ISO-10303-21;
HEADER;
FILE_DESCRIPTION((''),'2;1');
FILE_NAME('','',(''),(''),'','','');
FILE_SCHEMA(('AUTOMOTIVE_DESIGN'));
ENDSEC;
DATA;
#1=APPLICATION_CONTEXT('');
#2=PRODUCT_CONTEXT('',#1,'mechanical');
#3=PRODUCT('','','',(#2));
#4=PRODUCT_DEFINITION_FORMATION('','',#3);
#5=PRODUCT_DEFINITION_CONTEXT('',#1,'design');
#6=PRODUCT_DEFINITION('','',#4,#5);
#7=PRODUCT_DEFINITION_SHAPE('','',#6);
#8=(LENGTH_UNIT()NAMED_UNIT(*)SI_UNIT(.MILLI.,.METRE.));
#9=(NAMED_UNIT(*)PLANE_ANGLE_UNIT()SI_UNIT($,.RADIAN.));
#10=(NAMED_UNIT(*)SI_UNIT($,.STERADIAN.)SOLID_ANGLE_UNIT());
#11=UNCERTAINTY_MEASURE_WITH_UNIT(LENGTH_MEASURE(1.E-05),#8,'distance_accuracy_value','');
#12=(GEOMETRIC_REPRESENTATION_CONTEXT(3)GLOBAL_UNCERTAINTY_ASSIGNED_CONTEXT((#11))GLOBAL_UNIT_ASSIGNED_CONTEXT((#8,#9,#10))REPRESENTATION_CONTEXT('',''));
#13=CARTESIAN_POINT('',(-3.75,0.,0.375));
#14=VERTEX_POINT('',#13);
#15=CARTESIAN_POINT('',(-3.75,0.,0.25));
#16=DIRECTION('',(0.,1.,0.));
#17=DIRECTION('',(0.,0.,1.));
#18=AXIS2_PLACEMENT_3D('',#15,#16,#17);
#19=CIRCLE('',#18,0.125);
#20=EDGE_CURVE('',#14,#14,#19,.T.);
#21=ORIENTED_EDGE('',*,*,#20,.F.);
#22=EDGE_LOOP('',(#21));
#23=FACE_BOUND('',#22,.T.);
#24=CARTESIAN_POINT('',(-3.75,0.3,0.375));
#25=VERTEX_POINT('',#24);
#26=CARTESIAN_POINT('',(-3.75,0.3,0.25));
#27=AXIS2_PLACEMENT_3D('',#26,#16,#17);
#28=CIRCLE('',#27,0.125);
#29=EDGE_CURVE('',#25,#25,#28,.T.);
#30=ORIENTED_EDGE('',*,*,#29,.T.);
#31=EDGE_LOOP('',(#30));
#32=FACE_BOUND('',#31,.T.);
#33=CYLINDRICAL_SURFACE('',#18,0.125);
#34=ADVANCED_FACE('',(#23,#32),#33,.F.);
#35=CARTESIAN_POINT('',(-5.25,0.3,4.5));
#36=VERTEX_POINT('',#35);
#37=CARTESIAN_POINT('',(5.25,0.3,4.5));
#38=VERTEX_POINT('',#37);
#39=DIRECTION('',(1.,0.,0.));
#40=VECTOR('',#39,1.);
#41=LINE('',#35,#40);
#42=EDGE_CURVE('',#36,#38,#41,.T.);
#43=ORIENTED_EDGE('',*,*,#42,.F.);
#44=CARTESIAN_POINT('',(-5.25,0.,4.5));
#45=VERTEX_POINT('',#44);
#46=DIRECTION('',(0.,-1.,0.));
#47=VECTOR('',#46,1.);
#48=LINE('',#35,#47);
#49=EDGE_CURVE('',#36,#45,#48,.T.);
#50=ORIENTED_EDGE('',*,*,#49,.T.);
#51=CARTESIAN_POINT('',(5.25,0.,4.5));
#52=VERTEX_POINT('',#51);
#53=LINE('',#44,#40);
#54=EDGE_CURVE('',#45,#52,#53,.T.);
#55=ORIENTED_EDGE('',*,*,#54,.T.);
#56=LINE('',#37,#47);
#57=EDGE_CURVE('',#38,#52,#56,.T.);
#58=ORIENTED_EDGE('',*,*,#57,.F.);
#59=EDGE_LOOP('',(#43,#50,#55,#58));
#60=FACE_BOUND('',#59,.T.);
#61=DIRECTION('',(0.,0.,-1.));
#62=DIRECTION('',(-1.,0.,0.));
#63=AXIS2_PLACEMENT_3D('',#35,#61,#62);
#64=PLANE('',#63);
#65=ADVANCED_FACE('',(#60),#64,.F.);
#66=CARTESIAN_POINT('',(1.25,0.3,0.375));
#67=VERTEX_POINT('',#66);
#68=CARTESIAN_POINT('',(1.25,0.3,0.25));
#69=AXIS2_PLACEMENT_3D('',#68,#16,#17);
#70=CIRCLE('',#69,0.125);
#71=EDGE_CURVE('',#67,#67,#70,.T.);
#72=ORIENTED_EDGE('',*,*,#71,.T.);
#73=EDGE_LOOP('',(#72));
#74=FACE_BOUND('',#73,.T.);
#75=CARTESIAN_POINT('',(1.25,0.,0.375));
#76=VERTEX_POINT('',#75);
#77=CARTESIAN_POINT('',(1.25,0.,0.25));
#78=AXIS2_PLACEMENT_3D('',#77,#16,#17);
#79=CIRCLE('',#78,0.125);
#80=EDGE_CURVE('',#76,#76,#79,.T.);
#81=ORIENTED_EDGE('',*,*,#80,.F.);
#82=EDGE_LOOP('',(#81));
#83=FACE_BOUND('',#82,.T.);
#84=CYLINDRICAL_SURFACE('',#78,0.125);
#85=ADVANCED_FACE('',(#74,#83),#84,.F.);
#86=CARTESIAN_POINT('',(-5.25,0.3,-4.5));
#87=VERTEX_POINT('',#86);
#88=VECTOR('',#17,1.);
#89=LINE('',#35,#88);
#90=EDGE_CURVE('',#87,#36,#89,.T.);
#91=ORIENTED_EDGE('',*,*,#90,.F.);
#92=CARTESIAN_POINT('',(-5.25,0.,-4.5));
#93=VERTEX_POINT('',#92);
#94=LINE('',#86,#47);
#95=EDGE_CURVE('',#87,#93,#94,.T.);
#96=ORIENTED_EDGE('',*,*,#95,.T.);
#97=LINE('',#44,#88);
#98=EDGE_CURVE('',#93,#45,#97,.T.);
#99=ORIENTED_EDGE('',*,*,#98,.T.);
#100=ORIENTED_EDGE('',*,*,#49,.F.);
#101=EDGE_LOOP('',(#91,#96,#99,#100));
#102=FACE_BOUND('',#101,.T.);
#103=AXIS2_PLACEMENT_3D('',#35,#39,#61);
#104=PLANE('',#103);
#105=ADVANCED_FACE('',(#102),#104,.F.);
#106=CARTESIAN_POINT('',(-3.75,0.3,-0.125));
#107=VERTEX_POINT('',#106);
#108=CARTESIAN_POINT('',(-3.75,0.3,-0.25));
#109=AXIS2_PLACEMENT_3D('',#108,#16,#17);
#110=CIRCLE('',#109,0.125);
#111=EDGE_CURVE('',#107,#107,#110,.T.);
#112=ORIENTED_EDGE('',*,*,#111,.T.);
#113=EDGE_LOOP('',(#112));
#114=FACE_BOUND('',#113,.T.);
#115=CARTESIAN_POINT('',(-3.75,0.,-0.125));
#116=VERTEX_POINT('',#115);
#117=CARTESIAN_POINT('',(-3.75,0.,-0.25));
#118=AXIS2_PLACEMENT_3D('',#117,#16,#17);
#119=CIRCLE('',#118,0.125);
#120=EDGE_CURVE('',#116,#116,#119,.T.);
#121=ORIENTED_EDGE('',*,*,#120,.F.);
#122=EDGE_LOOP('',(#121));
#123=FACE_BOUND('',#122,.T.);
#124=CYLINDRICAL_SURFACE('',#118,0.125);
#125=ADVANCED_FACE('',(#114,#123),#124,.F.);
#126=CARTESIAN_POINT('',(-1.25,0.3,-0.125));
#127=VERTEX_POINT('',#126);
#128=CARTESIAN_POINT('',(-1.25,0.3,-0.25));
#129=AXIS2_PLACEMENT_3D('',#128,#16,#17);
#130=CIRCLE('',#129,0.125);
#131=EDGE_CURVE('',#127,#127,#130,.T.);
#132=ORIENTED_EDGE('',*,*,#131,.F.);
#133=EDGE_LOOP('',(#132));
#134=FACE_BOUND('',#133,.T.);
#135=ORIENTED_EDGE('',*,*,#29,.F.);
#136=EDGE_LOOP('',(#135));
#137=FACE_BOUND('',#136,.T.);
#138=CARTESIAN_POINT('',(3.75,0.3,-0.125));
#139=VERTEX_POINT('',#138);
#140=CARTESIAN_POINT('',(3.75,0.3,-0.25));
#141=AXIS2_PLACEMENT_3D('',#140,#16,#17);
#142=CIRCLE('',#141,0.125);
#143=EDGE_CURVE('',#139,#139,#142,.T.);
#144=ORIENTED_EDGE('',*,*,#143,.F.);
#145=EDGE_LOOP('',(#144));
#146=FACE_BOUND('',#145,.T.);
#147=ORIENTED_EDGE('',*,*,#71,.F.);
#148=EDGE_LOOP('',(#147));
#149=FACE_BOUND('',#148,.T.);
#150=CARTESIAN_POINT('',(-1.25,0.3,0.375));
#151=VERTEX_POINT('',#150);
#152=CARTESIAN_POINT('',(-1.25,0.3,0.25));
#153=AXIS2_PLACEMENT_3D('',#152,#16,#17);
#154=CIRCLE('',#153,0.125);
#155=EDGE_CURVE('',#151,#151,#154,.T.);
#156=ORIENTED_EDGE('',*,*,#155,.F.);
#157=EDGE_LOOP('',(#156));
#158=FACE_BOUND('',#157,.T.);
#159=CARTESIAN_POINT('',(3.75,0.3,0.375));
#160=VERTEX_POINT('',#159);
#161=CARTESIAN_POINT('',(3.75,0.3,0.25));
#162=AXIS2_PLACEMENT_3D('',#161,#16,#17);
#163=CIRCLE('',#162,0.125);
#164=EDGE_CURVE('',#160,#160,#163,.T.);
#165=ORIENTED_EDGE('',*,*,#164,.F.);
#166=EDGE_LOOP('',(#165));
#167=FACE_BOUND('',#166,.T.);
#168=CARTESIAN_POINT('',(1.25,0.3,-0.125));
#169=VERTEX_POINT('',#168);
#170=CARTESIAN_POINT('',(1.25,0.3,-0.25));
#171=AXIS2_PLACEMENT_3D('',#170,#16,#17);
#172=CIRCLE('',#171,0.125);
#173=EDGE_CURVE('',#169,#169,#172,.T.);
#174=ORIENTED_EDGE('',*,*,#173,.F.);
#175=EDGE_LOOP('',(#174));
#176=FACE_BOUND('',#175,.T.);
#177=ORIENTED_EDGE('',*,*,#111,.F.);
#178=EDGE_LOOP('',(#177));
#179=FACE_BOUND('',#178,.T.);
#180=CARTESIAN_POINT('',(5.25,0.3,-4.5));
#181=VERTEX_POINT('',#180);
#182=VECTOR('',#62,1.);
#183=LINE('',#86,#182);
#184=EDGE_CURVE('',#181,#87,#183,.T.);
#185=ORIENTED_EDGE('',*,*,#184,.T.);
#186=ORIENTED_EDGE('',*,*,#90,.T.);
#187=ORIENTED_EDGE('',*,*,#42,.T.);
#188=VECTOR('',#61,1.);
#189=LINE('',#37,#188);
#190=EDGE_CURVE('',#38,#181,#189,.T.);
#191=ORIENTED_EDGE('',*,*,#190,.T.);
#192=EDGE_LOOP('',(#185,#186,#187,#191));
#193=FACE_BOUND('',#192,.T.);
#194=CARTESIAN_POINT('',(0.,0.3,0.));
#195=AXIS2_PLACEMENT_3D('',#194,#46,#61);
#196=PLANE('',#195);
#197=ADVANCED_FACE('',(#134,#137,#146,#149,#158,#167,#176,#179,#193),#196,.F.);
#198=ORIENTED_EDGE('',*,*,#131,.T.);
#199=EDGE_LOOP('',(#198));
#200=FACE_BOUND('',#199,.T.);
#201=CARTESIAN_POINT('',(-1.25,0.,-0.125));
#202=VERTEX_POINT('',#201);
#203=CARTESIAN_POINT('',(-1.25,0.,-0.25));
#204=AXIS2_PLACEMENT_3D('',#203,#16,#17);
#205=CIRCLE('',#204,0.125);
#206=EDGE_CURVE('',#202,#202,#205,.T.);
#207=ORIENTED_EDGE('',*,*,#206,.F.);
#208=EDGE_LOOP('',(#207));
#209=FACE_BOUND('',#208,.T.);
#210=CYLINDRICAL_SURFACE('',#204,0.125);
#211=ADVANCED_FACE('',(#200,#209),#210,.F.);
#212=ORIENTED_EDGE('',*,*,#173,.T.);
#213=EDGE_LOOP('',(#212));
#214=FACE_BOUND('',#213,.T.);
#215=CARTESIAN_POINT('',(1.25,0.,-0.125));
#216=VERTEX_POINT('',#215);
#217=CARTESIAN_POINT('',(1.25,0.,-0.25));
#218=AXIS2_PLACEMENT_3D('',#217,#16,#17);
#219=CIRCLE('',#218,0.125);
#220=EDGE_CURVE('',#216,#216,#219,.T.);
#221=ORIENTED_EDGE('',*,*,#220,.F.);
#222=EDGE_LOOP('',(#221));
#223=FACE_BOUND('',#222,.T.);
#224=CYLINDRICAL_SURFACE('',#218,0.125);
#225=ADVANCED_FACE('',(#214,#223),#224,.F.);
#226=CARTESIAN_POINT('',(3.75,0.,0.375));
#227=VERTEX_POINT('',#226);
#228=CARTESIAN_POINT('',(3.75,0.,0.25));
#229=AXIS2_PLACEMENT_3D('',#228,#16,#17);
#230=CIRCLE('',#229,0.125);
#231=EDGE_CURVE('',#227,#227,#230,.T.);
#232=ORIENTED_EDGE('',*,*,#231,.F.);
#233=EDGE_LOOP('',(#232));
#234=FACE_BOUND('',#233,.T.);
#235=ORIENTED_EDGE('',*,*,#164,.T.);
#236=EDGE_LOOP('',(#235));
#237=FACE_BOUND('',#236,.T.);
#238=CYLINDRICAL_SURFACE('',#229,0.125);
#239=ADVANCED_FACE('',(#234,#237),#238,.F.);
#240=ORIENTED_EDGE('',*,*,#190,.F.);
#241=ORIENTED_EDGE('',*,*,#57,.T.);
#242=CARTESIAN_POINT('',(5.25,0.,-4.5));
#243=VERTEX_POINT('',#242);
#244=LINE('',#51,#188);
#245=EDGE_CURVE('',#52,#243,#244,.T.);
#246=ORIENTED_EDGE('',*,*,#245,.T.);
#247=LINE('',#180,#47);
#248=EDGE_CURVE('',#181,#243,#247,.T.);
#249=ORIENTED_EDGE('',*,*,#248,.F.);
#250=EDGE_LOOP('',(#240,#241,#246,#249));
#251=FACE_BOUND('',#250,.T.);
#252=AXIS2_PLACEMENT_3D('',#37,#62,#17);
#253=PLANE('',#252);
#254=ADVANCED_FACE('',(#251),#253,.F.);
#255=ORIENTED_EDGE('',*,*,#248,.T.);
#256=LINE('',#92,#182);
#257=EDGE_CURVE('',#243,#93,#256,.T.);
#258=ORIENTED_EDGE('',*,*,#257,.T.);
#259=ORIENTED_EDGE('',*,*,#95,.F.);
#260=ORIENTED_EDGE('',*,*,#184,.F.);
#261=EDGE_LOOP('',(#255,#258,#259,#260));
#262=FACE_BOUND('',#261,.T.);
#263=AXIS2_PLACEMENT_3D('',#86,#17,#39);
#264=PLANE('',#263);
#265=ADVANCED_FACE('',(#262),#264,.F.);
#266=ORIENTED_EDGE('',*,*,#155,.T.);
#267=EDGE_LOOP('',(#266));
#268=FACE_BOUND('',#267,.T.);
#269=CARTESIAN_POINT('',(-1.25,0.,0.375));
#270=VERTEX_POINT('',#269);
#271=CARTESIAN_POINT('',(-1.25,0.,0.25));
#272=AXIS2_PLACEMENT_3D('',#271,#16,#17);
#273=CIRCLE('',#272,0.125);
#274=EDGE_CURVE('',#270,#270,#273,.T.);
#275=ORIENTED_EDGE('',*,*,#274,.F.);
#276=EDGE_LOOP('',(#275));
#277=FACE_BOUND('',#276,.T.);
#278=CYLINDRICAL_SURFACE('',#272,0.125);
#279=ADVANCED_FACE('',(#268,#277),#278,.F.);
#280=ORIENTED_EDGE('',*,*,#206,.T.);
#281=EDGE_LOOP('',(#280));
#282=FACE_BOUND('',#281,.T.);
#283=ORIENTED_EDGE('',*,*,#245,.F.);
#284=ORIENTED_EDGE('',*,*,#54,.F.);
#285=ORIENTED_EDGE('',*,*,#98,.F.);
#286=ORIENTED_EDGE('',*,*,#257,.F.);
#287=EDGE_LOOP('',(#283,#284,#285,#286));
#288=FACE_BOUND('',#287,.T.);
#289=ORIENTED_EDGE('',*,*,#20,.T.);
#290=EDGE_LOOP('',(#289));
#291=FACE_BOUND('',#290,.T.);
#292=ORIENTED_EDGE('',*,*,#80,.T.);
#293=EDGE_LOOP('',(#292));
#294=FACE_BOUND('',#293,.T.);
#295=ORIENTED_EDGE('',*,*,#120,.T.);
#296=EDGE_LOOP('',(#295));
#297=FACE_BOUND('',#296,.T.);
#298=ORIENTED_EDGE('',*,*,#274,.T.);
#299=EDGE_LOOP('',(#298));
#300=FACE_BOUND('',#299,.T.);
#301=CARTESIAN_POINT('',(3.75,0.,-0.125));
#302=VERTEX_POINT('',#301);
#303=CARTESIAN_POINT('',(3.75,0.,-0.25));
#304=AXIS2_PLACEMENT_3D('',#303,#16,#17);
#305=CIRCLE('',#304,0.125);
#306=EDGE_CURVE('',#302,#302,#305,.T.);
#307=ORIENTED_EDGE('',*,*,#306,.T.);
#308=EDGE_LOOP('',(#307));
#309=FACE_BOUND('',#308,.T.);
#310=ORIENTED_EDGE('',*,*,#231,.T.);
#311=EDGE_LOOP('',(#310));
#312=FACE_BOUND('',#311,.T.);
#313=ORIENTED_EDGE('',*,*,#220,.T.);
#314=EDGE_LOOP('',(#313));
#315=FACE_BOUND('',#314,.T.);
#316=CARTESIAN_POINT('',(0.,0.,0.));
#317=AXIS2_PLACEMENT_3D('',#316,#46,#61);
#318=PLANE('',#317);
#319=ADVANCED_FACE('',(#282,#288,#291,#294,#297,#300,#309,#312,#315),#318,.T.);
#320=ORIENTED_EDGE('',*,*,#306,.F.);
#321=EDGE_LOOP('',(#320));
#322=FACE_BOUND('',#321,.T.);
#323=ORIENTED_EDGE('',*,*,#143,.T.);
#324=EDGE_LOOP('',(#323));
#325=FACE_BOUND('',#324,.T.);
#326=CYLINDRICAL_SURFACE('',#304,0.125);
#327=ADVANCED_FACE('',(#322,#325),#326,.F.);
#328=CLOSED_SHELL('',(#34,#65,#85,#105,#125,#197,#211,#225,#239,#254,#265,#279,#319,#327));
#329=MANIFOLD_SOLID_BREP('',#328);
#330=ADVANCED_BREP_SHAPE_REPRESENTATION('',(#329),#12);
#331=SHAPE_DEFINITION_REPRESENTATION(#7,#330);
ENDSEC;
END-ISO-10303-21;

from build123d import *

# Parameters (mm, degrees)
SKETCH_1_W          = 10.5
SKETCH_1_H          = 9
EXTRUDE_1_DEPTH     = 0.3
SKETCH_2_R          = 0.125
CUT_EXTRUDE_1_DEPTH = 1.3


with BuildPart() as part:
    # Эскиз1 → Бобышка-Вытянуть1 (new body)
    with BuildSketch(Plane(origin=(0, 0, 0), x_dir=(1, 0, 0), z_dir=(0, 1, 0))):
        Rectangle(SKETCH_1_W, SKETCH_1_H)
    extrude(amount=EXTRUDE_1_DEPTH)

    # Эскиз2 → Вырез-Вытянуть1 (cut, through all)
    with BuildSketch(Plane(origin=(0, 0.3, 0), x_dir=(1, 0, 0), z_dir=(0, 1, 0))):
        with Locations((-3.75, 0.25)):
            Circle(SKETCH_2_R)
        with Locations((-1.25, 0.25)):
            Circle(SKETCH_2_R)
        with Locations((1.25, 0.25)):
            Circle(SKETCH_2_R)
        with Locations((3.75, 0.25)):
            Circle(SKETCH_2_R)
        with Locations((-1.25, -0.25)):
            Circle(SKETCH_2_R)
        with Locations((1.25, -0.25)):
            Circle(SKETCH_2_R)
        with Locations((3.75, -0.25)):
            Circle(SKETCH_2_R)
        with Locations((-3.75, -0.25)):
            Circle(SKETCH_2_R)
    extrude(amount=-CUT_EXTRUDE_1_DEPTH, mode=Mode.SUBTRACT)


solid = part.part
